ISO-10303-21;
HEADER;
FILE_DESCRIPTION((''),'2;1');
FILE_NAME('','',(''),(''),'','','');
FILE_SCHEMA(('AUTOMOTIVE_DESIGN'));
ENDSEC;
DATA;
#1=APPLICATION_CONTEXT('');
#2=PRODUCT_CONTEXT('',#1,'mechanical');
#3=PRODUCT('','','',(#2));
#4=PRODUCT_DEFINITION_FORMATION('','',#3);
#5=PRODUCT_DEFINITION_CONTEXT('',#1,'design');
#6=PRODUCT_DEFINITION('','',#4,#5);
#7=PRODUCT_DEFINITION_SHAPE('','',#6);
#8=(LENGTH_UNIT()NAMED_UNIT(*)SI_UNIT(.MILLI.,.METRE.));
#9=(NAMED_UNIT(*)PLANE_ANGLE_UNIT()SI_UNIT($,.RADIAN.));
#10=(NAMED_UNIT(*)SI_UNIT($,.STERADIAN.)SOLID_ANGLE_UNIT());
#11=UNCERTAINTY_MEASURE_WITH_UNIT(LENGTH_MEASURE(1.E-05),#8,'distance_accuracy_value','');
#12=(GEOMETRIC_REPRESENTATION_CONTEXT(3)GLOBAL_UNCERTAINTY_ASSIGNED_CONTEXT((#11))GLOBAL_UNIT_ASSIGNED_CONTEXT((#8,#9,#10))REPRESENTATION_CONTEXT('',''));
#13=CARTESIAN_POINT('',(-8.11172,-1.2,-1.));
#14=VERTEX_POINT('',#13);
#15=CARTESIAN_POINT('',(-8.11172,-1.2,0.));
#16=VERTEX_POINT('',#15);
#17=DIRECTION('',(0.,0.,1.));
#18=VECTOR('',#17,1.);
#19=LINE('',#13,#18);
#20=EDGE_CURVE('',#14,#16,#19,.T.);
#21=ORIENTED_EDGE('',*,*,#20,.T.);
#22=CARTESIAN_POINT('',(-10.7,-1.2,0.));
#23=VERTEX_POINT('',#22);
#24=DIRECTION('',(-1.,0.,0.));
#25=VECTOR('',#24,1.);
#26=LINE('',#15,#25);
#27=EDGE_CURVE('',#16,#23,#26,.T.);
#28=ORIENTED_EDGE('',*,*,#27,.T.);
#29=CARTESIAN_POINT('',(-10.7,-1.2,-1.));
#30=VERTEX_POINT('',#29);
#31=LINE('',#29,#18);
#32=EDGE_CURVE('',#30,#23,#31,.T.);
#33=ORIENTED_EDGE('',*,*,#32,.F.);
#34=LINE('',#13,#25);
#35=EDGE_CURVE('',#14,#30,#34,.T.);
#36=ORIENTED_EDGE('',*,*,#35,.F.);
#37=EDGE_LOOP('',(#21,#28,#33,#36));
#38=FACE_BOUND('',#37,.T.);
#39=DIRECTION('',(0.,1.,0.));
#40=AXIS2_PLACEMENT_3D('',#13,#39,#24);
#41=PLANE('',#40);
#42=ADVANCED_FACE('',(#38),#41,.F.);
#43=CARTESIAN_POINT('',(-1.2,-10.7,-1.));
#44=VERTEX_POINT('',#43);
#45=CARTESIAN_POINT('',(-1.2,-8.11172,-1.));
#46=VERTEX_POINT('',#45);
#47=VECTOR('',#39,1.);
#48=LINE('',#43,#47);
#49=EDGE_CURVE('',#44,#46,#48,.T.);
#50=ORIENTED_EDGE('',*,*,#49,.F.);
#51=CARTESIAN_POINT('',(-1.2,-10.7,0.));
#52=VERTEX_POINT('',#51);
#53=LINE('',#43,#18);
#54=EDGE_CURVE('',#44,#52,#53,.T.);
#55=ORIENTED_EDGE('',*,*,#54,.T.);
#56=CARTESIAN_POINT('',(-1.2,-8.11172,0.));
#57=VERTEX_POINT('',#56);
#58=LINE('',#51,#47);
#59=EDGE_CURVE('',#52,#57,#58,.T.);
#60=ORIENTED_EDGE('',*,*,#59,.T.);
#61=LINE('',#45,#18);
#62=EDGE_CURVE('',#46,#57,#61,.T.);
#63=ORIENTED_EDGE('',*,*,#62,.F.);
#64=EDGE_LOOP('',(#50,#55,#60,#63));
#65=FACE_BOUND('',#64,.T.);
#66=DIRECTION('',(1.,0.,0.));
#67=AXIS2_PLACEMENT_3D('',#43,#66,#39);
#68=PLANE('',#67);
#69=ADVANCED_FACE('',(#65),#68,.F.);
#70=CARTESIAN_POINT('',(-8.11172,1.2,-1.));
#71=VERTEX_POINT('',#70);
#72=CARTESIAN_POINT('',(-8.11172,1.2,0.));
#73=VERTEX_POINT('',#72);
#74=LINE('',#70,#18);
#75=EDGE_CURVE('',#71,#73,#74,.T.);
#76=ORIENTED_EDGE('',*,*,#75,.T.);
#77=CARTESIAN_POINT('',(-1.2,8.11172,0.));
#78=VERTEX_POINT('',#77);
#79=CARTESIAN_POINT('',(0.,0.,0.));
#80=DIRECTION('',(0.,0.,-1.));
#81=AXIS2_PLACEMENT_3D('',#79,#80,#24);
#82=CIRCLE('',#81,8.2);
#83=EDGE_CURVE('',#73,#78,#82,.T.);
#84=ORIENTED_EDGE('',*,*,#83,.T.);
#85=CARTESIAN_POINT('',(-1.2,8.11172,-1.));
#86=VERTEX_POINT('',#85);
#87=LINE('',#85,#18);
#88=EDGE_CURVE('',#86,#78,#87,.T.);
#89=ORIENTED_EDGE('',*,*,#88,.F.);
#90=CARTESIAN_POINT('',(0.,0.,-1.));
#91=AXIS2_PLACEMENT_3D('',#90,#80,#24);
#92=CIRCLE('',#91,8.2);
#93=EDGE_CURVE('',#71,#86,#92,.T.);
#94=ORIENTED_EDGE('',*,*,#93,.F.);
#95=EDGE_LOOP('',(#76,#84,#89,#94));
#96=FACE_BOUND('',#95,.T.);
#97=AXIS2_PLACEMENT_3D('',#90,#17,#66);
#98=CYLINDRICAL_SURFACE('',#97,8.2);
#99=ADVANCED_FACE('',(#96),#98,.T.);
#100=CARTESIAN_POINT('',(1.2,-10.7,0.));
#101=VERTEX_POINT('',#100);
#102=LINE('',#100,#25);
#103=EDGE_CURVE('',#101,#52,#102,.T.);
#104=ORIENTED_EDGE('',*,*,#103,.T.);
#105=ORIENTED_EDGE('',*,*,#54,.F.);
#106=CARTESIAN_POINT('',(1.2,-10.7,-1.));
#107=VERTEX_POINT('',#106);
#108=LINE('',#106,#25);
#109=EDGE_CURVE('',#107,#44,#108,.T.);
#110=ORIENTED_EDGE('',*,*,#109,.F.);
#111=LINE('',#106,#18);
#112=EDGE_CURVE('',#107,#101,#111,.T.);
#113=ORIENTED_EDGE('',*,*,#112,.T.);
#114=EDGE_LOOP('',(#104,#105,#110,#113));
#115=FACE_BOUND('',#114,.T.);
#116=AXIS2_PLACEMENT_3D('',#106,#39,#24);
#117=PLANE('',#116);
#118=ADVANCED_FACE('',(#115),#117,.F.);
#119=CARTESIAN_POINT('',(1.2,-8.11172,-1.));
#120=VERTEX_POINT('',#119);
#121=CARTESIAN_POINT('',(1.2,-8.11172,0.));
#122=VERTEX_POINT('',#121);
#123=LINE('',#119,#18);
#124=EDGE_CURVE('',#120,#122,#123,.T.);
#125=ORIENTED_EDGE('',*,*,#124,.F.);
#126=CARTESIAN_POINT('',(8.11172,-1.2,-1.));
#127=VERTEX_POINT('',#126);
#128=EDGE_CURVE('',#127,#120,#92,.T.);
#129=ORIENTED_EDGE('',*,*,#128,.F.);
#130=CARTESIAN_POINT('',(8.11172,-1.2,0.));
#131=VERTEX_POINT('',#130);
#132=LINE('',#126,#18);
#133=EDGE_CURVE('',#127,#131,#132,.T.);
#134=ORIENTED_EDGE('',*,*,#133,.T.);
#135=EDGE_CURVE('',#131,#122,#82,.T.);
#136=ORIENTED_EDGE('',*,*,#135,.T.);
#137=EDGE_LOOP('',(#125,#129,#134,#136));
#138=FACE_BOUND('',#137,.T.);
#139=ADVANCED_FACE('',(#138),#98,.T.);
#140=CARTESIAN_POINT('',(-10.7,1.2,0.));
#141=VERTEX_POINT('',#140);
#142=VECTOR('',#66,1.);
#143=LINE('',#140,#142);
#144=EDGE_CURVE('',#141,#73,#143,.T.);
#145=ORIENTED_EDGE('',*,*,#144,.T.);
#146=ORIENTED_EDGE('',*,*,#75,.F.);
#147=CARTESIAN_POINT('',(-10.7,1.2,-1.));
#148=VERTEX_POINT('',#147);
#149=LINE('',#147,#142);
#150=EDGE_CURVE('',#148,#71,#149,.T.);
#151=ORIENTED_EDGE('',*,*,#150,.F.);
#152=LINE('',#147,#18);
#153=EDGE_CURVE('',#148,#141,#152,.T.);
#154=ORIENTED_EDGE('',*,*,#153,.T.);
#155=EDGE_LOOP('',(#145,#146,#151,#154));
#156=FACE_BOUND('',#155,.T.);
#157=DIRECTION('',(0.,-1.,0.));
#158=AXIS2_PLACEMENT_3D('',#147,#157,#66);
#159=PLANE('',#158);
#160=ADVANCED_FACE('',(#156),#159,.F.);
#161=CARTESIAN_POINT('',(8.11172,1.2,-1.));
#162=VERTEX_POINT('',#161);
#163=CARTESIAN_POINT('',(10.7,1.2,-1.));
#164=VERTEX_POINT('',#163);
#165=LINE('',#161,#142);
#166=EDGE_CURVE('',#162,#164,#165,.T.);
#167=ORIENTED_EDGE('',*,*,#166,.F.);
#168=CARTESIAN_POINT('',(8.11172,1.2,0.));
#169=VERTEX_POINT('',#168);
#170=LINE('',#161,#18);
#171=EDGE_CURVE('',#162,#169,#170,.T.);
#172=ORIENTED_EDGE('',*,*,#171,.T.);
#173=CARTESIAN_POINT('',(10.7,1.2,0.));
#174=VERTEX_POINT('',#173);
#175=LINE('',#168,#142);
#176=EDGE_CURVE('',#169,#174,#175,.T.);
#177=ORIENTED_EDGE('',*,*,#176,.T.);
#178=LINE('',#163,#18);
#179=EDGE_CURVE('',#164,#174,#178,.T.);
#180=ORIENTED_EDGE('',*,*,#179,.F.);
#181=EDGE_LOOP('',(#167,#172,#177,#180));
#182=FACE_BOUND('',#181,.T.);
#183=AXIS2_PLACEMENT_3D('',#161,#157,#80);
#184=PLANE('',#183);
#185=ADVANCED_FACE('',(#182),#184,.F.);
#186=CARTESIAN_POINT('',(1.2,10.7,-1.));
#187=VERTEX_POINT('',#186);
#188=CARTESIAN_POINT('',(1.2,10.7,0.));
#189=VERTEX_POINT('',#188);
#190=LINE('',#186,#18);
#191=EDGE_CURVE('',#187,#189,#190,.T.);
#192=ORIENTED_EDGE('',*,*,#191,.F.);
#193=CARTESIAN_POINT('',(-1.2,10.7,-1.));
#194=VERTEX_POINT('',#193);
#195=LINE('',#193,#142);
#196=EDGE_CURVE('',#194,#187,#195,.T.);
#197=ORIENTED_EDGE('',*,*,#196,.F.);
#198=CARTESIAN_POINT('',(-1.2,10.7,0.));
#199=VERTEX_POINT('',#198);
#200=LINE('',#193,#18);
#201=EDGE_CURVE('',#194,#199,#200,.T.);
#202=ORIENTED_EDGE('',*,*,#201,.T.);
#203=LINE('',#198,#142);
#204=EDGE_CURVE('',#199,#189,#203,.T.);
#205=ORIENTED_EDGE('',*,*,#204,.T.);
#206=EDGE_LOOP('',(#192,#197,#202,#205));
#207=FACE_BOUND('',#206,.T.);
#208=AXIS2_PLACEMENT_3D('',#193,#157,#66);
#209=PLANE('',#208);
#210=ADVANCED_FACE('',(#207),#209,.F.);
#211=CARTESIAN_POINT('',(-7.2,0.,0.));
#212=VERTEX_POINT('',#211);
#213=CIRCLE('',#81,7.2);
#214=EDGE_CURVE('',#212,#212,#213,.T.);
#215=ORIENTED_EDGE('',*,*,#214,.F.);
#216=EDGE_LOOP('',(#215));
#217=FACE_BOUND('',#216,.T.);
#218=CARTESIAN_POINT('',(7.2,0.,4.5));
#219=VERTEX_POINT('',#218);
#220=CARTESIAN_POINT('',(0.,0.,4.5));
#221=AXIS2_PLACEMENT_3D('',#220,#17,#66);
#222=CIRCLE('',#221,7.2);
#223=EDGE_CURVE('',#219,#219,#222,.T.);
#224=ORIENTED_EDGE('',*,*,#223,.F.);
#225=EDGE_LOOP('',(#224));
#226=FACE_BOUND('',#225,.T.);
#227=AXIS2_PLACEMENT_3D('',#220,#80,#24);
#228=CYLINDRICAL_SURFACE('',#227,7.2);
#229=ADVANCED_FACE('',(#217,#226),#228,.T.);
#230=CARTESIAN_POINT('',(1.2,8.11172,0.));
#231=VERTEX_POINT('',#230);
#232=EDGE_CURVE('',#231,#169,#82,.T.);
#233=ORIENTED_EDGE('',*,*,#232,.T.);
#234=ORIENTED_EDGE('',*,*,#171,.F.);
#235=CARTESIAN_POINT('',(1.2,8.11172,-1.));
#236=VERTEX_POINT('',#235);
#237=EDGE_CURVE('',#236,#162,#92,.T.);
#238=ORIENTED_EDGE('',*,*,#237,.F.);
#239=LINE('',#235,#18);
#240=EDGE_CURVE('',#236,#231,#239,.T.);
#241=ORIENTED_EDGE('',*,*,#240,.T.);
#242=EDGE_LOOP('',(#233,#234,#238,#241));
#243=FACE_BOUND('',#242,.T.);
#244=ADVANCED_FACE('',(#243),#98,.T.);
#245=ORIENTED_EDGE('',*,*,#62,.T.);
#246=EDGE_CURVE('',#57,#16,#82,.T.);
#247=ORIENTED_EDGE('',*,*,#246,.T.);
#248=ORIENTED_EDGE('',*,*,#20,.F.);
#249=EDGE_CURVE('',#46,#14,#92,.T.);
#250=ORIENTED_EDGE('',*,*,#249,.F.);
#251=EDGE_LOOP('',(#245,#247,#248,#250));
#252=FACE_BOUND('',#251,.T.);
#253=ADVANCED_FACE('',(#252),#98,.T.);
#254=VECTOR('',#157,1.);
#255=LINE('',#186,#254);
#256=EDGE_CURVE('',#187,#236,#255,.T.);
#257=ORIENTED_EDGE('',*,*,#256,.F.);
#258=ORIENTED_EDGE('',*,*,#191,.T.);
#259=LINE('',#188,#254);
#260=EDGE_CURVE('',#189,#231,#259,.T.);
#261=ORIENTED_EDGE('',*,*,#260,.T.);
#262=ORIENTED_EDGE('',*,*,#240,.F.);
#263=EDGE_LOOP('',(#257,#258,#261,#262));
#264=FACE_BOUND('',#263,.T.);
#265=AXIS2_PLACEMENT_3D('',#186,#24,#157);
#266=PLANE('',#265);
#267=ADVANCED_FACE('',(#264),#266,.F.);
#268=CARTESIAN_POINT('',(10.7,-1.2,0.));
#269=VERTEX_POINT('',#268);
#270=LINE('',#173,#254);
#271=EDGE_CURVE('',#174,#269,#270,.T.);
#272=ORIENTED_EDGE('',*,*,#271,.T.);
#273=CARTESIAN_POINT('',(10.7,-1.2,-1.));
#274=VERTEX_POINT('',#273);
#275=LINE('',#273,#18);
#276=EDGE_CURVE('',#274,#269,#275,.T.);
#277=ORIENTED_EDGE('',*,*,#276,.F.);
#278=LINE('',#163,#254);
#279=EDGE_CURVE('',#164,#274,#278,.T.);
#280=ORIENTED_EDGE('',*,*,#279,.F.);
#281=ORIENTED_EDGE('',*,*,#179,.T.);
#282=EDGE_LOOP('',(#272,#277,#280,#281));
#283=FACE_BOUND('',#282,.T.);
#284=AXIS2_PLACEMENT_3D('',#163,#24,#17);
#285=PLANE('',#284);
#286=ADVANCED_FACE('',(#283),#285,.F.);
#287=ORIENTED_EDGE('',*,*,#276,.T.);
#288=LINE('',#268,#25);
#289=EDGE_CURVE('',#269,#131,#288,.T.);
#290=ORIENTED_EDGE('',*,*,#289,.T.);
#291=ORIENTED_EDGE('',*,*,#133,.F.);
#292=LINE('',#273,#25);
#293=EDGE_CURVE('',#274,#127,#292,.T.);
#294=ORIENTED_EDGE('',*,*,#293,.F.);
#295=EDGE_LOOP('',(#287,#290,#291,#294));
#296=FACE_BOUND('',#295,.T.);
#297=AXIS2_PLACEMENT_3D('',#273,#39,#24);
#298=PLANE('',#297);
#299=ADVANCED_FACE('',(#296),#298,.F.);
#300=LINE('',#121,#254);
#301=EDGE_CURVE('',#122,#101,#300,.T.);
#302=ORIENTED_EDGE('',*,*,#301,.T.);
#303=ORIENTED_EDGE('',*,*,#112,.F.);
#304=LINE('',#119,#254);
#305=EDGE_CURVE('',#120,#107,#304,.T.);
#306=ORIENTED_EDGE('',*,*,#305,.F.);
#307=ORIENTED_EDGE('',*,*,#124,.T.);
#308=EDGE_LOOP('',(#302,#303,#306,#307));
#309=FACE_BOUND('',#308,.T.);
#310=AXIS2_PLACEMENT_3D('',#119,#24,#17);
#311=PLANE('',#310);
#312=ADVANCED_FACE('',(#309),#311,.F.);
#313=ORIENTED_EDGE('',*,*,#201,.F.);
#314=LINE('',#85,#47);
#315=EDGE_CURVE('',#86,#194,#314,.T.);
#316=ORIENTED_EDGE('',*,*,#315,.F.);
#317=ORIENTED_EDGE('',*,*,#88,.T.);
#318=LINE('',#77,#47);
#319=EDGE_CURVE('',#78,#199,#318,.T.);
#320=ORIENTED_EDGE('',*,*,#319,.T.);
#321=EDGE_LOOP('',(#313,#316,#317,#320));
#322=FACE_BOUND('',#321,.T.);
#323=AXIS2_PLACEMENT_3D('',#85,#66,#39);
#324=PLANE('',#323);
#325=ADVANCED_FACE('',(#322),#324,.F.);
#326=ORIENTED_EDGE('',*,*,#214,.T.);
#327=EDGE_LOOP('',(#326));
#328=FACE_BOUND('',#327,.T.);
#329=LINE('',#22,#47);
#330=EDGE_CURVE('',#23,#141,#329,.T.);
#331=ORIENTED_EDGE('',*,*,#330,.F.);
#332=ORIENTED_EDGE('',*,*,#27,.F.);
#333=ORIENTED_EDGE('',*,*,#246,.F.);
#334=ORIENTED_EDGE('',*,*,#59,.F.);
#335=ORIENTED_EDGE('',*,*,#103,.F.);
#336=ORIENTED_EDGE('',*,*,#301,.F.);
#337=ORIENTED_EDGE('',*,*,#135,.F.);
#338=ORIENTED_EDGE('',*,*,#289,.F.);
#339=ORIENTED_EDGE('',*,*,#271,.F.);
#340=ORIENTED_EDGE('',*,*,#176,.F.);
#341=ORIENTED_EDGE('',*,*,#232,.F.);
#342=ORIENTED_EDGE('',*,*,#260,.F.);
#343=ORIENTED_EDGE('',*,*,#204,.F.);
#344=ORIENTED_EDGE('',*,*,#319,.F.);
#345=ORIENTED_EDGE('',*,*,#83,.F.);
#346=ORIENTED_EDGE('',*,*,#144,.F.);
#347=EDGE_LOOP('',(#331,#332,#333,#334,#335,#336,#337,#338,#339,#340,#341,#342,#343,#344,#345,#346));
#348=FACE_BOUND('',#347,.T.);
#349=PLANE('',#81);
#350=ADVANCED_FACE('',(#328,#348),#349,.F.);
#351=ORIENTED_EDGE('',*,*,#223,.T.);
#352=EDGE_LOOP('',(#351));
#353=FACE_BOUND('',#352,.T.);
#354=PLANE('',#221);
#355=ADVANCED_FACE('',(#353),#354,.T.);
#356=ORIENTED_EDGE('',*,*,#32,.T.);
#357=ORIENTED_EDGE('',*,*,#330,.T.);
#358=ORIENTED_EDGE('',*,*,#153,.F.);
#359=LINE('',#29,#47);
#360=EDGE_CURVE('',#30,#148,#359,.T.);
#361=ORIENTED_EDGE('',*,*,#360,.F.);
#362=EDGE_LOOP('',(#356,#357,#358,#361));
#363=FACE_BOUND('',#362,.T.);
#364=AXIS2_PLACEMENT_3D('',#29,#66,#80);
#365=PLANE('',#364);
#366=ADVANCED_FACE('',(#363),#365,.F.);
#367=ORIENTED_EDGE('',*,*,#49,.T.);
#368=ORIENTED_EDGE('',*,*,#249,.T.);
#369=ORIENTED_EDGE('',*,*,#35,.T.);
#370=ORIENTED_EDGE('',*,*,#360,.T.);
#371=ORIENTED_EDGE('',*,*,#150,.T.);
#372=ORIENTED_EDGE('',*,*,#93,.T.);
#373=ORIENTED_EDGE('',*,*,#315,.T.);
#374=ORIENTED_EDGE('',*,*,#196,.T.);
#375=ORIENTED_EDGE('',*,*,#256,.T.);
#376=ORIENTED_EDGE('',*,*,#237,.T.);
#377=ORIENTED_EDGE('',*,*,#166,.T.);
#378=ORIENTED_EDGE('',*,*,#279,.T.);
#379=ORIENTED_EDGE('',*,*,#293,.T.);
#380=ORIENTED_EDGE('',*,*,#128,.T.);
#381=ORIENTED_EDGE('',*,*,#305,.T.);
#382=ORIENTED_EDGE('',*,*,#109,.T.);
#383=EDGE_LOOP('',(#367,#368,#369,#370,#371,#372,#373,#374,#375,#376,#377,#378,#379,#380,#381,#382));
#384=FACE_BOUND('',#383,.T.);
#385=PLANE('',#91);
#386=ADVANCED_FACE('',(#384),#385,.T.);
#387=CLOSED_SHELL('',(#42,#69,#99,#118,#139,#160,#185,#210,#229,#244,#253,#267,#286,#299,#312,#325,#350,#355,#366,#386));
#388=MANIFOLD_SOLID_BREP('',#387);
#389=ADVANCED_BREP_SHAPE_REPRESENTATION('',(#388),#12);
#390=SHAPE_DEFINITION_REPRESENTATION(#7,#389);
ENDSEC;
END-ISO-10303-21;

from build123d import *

# Parameters (mm, degrees)
SKETCH1_R           = 7.2
BOSS_EXTRUDE1_DEPTH = 4.5
BOSS_EXTRUDE3_DEPTH = 1


with BuildPart() as part:
    # Sketch1 → Boss-Extrude1 (new body)
    with BuildSketch(Plane.XY):
        Circle(SKETCH1_R)
    extrude(amount=BOSS_EXTRUDE1_DEPTH)

    # Sketch4 → Boss-Extrude3 (add)
    with BuildSketch(Plane(origin=(0, 0, 0), x_dir=(-1, 0, 0), z_dir=(0, 0, -1))):
        with BuildLine():
            Line((10.7, 1.2), (8.111719916, 1.2))
            ThreePointArc((8.111719916, 1.2), (5.798275606, 5.798275606), (1.2, 8.111719916))
            Line((1.2, 8.111719916), (1.2, 10.7))
            Line((1.2, 10.7), (-1.2, 10.7))
            Line((-1.2, 10.7), (-1.2, 8.111719916))
            ThreePointArc((-1.2, 8.111719916), (-5.798275606, 5.798275606), (-8.111719916, 1.2))
            Line((-8.111719916, 1.2), (-10.7, 1.2))
            Line((-10.7, 1.2), (-10.7, -1.2))
            Line((-10.7, -1.2), (-8.111719916, -1.2))
            ThreePointArc((-8.111719916, -1.2), (-5.798275606, -5.798275606), (-1.2, -8.111719916))
            Line((-1.2, -8.111719916), (-1.2, -10.7))
            Line((-1.2, -10.7), (1.2, -10.7))
            Line((1.2, -10.7), (1.2, -8.111719916))
            ThreePointArc((1.2, -8.111719916), (5.798275606, -5.798275606), (8.111719916, -1.2))
            Line((8.111719916, -1.2), (10.7, -1.2))
            Line((10.7, -1.2), (10.7, 1.2))
        make_face()
    extrude(amount=BOSS_EXTRUDE3_DEPTH)


solid = part.part
